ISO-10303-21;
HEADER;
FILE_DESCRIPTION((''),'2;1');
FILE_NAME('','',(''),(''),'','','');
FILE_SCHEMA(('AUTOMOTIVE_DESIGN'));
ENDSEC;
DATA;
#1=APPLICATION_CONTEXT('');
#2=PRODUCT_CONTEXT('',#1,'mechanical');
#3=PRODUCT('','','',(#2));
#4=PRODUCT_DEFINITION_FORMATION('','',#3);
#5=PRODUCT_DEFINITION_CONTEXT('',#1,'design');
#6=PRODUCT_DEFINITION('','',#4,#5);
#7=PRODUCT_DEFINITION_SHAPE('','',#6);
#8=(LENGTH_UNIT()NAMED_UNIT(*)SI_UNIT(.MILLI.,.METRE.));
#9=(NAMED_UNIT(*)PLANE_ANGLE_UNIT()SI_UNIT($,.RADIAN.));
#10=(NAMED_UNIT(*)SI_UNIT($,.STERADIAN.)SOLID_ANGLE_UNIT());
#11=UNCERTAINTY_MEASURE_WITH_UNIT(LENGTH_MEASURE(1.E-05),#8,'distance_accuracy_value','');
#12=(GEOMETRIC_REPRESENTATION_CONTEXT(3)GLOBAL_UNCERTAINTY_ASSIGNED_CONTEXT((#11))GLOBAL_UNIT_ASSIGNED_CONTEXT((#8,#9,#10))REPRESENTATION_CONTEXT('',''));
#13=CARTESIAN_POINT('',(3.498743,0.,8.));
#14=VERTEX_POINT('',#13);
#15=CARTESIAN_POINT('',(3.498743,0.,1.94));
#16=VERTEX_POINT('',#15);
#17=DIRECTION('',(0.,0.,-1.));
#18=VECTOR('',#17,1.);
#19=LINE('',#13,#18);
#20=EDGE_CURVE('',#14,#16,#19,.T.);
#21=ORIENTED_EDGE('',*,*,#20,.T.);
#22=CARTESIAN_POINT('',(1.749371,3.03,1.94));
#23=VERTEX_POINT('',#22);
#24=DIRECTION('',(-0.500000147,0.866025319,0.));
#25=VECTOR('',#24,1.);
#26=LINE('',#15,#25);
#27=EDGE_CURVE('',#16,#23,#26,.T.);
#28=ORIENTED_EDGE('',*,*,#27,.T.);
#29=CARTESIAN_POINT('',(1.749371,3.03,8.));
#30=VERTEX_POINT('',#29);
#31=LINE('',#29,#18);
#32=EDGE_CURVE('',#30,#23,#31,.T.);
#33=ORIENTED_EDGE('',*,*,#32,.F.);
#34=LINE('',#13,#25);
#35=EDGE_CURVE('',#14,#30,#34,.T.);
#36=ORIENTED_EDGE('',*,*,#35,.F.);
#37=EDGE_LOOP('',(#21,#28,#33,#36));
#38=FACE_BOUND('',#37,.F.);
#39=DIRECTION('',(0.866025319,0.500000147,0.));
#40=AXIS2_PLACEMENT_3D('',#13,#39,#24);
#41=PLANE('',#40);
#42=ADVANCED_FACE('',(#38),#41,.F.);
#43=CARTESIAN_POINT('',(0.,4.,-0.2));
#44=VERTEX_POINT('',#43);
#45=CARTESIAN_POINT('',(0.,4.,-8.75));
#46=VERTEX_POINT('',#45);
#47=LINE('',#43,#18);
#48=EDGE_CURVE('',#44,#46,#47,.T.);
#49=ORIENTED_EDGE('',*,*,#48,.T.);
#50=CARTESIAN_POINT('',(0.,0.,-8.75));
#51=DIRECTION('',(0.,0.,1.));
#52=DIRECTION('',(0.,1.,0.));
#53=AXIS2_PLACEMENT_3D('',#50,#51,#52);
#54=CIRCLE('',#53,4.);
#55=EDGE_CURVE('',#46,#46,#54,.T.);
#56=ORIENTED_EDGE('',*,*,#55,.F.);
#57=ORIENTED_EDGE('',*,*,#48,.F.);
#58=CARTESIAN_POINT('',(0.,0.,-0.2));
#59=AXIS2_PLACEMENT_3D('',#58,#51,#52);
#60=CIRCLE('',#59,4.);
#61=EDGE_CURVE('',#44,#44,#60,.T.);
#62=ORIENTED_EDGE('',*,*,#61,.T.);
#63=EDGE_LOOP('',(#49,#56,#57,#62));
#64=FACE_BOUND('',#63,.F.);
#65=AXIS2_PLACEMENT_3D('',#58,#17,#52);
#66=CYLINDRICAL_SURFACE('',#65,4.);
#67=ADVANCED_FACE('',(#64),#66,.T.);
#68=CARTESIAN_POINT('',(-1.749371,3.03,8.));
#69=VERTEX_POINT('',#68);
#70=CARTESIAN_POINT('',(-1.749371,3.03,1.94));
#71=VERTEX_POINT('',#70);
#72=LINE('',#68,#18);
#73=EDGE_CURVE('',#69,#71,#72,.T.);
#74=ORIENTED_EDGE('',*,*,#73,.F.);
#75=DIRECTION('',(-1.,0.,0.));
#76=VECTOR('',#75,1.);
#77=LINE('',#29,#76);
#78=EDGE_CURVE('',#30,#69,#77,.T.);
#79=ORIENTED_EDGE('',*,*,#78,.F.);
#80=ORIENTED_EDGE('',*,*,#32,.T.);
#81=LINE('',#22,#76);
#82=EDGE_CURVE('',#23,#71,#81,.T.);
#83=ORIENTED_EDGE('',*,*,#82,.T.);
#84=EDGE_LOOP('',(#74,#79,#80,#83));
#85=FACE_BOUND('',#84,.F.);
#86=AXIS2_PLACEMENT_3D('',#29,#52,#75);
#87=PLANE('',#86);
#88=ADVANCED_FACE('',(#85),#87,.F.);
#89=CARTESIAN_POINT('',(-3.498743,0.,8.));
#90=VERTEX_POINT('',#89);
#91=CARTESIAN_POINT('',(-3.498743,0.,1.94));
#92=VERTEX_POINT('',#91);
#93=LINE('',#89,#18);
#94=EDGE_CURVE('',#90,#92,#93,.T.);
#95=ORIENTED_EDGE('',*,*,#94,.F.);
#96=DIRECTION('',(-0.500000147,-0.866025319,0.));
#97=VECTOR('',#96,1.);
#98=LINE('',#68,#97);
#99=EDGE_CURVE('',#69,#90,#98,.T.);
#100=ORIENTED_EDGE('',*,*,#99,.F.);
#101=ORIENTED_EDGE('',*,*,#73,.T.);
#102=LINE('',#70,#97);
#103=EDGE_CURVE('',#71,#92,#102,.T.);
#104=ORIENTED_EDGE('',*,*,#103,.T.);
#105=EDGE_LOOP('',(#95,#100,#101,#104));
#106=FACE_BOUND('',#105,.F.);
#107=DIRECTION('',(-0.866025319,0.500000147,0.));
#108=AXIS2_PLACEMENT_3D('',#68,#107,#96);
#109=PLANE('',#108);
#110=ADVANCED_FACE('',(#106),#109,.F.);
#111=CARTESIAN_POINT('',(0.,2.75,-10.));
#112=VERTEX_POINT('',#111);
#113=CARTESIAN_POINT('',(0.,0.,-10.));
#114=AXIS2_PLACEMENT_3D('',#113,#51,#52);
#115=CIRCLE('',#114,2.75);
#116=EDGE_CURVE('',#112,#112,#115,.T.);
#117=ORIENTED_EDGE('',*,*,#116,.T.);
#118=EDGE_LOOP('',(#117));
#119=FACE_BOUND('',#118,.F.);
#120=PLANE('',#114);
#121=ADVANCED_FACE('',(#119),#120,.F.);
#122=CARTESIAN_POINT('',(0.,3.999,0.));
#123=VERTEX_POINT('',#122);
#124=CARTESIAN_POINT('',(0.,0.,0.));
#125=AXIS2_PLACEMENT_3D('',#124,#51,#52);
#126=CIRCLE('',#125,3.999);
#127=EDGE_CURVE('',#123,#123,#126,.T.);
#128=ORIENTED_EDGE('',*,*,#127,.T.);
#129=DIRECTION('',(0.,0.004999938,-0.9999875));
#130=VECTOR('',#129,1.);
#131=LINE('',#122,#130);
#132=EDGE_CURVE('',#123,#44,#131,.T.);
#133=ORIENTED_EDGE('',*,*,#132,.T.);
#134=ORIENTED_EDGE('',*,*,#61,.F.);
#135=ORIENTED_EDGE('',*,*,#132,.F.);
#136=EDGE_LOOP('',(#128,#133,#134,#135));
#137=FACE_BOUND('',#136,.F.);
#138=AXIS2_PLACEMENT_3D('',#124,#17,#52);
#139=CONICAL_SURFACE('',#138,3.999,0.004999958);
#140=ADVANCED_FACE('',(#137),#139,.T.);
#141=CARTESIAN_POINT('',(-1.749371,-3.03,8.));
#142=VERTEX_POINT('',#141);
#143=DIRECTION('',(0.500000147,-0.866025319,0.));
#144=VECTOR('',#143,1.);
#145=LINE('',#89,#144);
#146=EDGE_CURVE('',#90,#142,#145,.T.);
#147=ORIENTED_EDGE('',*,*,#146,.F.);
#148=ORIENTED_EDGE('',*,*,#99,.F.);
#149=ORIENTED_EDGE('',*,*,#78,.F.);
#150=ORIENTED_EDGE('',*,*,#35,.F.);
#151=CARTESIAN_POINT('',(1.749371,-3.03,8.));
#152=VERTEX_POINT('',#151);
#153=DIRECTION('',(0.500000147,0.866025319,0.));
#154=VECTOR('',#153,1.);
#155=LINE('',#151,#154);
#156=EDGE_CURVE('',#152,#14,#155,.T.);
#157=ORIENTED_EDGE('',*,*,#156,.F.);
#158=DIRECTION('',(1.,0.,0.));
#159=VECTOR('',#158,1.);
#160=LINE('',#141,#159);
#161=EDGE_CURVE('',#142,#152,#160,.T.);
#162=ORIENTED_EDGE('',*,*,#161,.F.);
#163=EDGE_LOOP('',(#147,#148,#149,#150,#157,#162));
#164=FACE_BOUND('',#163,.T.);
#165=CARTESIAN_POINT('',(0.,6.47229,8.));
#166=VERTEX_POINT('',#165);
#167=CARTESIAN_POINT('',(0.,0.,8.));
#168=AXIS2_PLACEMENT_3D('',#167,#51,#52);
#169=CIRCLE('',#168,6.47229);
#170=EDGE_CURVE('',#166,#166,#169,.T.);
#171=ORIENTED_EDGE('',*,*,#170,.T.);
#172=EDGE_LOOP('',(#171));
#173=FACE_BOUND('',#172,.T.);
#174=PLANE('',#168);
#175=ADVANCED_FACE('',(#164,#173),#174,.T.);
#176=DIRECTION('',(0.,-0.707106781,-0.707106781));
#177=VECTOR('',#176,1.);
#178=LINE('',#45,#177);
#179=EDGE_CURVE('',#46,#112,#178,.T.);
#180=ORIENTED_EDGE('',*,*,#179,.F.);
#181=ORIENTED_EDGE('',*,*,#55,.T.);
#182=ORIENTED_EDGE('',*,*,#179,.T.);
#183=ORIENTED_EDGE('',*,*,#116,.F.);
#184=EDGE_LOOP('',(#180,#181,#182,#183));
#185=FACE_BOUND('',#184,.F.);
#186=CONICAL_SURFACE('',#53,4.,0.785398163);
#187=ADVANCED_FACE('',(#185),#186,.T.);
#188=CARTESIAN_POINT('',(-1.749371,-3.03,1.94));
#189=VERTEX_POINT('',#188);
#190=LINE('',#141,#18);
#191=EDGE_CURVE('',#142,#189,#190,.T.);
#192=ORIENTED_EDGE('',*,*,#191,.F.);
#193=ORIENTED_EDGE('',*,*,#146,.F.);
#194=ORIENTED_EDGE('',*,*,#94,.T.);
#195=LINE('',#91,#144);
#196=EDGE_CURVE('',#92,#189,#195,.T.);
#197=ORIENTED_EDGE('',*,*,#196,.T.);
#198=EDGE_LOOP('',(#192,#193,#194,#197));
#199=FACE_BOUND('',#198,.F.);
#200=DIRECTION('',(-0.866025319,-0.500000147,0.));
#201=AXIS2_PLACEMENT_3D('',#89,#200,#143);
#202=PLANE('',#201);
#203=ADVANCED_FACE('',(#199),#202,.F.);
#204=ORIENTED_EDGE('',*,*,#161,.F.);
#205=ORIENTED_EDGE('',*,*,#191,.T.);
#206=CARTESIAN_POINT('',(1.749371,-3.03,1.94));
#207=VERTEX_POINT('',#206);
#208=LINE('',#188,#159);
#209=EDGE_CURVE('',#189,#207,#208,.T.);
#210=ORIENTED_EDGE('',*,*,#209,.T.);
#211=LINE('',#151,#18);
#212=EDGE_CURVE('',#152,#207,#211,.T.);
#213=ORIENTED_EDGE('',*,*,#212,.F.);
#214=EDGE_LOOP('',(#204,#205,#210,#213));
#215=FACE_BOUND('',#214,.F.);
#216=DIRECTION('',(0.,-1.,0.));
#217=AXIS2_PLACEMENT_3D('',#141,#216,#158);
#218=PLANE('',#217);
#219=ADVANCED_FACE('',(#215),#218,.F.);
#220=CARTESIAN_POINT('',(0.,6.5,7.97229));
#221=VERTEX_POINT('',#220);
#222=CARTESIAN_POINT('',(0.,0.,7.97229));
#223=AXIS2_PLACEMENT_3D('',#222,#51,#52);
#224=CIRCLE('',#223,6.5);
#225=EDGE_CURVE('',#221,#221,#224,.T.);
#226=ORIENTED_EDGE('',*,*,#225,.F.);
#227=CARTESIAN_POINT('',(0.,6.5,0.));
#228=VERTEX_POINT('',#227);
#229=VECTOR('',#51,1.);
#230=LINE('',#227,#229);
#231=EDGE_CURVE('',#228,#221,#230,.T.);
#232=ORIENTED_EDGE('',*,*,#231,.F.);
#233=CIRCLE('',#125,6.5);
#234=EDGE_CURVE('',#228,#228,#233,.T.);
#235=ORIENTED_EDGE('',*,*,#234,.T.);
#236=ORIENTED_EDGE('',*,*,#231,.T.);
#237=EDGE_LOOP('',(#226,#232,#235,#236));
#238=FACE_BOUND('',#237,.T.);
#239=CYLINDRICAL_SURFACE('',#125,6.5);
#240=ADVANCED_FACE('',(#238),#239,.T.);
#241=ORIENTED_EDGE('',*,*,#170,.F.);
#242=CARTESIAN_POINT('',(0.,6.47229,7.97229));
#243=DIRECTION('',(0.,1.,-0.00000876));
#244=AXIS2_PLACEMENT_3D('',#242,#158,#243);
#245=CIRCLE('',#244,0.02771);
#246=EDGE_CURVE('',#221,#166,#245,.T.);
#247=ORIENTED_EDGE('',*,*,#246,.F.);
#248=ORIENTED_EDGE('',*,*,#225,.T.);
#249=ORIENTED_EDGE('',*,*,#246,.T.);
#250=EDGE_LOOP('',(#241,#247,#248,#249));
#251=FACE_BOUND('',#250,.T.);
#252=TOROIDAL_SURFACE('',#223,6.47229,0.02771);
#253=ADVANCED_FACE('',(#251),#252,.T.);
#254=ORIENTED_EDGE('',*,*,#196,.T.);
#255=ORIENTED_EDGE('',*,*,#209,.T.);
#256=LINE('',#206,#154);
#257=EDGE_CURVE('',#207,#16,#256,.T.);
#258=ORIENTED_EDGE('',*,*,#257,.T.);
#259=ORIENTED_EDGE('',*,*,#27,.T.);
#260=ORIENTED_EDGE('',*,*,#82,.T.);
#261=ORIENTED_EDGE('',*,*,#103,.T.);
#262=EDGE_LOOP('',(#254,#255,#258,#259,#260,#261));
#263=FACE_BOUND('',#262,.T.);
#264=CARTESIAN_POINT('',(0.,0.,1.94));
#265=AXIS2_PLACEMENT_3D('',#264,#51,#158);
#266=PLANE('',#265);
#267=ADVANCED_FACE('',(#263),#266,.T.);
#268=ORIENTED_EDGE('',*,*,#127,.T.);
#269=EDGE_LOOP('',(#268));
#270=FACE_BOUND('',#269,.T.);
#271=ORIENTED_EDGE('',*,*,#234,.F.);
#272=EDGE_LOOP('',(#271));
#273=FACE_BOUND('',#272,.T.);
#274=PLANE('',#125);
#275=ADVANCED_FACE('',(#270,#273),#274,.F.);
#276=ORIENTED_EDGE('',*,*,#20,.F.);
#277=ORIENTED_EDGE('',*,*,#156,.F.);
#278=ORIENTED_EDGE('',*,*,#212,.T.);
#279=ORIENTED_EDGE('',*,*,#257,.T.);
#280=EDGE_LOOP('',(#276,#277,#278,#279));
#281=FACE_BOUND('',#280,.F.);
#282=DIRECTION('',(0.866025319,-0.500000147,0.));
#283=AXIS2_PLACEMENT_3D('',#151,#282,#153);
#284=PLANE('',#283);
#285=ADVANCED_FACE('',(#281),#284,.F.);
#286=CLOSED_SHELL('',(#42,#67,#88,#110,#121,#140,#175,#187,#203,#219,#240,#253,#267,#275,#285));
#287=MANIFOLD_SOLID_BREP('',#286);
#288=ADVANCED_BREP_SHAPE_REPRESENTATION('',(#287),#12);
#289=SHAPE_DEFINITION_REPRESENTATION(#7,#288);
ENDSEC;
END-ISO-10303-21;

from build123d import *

# Parameters (mm, degrees)
POCKET_DEPTH = 6.06


with BuildPart() as part:
    # Sketch → Revolve (revolve)
    with BuildSketch(Plane.YZ):
        with BuildLine():
            Line((3.999, 0), (6.5, 0))
            Line((6.5, 0), (6.5, 7.97229))
            ThreePointArc((6.5, 7.97229), (6.491884, 7.991884), (6.47229, 8))
            Line((6.47229, 8), (0, 8))
            Line((0, -10), (0, 8))
            Line((2.75, -10), (0, -10))
            Line((4, -8.75), (2.75, -10))
            Line((4, -0.2), (4, -8.75))
            Line((3.999, 0), (4, -0.2))
        make_face()
    revolve(axis=Axis((0, 0, 0), (0, 0, 1)))

    # Sketch001 → Pocket (cut)
    with BuildSketch(Plane.XY.offset(8)):
        Polygon((3.498743, 0), (1.749371, 3.03), (-1.749371, 3.03), (-3.498743, 0), (-1.749371, -3.03), (1.749371, -3.03), align=None)
    extrude(amount=-POCKET_DEPTH, mode=Mode.SUBTRACT)


solid = part.part
